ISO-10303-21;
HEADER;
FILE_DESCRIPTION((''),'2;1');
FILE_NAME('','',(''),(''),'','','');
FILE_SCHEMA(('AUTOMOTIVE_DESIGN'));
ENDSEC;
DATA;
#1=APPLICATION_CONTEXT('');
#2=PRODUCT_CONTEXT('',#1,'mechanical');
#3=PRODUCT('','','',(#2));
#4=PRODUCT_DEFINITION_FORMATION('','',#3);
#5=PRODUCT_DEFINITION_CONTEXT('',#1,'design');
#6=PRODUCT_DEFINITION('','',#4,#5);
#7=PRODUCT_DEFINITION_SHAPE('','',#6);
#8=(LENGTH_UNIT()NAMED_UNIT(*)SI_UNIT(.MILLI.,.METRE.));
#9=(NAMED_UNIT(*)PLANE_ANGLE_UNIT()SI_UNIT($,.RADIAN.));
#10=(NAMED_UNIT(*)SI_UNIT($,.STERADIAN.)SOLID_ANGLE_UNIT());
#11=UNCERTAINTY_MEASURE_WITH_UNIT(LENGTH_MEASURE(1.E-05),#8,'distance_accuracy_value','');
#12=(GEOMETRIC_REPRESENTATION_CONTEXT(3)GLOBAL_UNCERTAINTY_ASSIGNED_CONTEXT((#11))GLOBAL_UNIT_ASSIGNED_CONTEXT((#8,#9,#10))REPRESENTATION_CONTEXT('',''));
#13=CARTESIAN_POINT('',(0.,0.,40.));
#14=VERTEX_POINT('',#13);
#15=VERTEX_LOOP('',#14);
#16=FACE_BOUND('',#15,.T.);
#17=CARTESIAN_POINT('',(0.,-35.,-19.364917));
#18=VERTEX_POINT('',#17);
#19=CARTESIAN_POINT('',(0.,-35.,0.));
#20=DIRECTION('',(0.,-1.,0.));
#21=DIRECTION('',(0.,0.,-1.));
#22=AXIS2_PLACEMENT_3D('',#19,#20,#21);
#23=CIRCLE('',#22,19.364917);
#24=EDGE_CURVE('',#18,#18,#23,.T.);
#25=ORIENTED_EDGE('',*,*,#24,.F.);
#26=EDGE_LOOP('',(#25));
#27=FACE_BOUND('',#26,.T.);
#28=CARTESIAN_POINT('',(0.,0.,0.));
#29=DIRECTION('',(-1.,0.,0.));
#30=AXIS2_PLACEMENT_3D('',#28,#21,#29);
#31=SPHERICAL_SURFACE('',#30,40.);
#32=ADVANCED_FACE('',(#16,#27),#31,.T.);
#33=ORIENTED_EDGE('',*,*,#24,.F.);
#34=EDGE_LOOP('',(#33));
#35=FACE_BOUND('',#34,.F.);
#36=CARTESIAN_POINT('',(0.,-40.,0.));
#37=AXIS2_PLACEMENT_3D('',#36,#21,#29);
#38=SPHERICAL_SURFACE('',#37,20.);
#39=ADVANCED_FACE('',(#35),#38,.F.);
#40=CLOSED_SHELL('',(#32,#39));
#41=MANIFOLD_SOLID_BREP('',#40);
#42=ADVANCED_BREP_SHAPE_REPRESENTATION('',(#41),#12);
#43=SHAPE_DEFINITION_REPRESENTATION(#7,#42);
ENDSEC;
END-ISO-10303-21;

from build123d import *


with BuildPart() as f1:
    # F0 (on Front) → F1 (revolve)
    with BuildSketch(Plane.XZ):
        with BuildLine():
            Line((0, -40), (0, 40))
            ThreePointArc((0, 40), (-40, 0), (0, -40))
        make_face()
    revolve(axis=Axis((0, 0, 0), (0, 0, -1)))

    # F3 (on offset) → F4 (revolve, cut)
    with BuildSketch(Plane.XZ.offset(40)):
        with BuildLine():
            Line((0, -20), (0, 20))
            ThreePointArc((0, 20), (-20, 0), (0, -20))
        make_face()
    revolve(axis=Axis((0, -40, 0), (0, 0, -1)), mode=Mode.SUBTRACT)


solid = f1.part
